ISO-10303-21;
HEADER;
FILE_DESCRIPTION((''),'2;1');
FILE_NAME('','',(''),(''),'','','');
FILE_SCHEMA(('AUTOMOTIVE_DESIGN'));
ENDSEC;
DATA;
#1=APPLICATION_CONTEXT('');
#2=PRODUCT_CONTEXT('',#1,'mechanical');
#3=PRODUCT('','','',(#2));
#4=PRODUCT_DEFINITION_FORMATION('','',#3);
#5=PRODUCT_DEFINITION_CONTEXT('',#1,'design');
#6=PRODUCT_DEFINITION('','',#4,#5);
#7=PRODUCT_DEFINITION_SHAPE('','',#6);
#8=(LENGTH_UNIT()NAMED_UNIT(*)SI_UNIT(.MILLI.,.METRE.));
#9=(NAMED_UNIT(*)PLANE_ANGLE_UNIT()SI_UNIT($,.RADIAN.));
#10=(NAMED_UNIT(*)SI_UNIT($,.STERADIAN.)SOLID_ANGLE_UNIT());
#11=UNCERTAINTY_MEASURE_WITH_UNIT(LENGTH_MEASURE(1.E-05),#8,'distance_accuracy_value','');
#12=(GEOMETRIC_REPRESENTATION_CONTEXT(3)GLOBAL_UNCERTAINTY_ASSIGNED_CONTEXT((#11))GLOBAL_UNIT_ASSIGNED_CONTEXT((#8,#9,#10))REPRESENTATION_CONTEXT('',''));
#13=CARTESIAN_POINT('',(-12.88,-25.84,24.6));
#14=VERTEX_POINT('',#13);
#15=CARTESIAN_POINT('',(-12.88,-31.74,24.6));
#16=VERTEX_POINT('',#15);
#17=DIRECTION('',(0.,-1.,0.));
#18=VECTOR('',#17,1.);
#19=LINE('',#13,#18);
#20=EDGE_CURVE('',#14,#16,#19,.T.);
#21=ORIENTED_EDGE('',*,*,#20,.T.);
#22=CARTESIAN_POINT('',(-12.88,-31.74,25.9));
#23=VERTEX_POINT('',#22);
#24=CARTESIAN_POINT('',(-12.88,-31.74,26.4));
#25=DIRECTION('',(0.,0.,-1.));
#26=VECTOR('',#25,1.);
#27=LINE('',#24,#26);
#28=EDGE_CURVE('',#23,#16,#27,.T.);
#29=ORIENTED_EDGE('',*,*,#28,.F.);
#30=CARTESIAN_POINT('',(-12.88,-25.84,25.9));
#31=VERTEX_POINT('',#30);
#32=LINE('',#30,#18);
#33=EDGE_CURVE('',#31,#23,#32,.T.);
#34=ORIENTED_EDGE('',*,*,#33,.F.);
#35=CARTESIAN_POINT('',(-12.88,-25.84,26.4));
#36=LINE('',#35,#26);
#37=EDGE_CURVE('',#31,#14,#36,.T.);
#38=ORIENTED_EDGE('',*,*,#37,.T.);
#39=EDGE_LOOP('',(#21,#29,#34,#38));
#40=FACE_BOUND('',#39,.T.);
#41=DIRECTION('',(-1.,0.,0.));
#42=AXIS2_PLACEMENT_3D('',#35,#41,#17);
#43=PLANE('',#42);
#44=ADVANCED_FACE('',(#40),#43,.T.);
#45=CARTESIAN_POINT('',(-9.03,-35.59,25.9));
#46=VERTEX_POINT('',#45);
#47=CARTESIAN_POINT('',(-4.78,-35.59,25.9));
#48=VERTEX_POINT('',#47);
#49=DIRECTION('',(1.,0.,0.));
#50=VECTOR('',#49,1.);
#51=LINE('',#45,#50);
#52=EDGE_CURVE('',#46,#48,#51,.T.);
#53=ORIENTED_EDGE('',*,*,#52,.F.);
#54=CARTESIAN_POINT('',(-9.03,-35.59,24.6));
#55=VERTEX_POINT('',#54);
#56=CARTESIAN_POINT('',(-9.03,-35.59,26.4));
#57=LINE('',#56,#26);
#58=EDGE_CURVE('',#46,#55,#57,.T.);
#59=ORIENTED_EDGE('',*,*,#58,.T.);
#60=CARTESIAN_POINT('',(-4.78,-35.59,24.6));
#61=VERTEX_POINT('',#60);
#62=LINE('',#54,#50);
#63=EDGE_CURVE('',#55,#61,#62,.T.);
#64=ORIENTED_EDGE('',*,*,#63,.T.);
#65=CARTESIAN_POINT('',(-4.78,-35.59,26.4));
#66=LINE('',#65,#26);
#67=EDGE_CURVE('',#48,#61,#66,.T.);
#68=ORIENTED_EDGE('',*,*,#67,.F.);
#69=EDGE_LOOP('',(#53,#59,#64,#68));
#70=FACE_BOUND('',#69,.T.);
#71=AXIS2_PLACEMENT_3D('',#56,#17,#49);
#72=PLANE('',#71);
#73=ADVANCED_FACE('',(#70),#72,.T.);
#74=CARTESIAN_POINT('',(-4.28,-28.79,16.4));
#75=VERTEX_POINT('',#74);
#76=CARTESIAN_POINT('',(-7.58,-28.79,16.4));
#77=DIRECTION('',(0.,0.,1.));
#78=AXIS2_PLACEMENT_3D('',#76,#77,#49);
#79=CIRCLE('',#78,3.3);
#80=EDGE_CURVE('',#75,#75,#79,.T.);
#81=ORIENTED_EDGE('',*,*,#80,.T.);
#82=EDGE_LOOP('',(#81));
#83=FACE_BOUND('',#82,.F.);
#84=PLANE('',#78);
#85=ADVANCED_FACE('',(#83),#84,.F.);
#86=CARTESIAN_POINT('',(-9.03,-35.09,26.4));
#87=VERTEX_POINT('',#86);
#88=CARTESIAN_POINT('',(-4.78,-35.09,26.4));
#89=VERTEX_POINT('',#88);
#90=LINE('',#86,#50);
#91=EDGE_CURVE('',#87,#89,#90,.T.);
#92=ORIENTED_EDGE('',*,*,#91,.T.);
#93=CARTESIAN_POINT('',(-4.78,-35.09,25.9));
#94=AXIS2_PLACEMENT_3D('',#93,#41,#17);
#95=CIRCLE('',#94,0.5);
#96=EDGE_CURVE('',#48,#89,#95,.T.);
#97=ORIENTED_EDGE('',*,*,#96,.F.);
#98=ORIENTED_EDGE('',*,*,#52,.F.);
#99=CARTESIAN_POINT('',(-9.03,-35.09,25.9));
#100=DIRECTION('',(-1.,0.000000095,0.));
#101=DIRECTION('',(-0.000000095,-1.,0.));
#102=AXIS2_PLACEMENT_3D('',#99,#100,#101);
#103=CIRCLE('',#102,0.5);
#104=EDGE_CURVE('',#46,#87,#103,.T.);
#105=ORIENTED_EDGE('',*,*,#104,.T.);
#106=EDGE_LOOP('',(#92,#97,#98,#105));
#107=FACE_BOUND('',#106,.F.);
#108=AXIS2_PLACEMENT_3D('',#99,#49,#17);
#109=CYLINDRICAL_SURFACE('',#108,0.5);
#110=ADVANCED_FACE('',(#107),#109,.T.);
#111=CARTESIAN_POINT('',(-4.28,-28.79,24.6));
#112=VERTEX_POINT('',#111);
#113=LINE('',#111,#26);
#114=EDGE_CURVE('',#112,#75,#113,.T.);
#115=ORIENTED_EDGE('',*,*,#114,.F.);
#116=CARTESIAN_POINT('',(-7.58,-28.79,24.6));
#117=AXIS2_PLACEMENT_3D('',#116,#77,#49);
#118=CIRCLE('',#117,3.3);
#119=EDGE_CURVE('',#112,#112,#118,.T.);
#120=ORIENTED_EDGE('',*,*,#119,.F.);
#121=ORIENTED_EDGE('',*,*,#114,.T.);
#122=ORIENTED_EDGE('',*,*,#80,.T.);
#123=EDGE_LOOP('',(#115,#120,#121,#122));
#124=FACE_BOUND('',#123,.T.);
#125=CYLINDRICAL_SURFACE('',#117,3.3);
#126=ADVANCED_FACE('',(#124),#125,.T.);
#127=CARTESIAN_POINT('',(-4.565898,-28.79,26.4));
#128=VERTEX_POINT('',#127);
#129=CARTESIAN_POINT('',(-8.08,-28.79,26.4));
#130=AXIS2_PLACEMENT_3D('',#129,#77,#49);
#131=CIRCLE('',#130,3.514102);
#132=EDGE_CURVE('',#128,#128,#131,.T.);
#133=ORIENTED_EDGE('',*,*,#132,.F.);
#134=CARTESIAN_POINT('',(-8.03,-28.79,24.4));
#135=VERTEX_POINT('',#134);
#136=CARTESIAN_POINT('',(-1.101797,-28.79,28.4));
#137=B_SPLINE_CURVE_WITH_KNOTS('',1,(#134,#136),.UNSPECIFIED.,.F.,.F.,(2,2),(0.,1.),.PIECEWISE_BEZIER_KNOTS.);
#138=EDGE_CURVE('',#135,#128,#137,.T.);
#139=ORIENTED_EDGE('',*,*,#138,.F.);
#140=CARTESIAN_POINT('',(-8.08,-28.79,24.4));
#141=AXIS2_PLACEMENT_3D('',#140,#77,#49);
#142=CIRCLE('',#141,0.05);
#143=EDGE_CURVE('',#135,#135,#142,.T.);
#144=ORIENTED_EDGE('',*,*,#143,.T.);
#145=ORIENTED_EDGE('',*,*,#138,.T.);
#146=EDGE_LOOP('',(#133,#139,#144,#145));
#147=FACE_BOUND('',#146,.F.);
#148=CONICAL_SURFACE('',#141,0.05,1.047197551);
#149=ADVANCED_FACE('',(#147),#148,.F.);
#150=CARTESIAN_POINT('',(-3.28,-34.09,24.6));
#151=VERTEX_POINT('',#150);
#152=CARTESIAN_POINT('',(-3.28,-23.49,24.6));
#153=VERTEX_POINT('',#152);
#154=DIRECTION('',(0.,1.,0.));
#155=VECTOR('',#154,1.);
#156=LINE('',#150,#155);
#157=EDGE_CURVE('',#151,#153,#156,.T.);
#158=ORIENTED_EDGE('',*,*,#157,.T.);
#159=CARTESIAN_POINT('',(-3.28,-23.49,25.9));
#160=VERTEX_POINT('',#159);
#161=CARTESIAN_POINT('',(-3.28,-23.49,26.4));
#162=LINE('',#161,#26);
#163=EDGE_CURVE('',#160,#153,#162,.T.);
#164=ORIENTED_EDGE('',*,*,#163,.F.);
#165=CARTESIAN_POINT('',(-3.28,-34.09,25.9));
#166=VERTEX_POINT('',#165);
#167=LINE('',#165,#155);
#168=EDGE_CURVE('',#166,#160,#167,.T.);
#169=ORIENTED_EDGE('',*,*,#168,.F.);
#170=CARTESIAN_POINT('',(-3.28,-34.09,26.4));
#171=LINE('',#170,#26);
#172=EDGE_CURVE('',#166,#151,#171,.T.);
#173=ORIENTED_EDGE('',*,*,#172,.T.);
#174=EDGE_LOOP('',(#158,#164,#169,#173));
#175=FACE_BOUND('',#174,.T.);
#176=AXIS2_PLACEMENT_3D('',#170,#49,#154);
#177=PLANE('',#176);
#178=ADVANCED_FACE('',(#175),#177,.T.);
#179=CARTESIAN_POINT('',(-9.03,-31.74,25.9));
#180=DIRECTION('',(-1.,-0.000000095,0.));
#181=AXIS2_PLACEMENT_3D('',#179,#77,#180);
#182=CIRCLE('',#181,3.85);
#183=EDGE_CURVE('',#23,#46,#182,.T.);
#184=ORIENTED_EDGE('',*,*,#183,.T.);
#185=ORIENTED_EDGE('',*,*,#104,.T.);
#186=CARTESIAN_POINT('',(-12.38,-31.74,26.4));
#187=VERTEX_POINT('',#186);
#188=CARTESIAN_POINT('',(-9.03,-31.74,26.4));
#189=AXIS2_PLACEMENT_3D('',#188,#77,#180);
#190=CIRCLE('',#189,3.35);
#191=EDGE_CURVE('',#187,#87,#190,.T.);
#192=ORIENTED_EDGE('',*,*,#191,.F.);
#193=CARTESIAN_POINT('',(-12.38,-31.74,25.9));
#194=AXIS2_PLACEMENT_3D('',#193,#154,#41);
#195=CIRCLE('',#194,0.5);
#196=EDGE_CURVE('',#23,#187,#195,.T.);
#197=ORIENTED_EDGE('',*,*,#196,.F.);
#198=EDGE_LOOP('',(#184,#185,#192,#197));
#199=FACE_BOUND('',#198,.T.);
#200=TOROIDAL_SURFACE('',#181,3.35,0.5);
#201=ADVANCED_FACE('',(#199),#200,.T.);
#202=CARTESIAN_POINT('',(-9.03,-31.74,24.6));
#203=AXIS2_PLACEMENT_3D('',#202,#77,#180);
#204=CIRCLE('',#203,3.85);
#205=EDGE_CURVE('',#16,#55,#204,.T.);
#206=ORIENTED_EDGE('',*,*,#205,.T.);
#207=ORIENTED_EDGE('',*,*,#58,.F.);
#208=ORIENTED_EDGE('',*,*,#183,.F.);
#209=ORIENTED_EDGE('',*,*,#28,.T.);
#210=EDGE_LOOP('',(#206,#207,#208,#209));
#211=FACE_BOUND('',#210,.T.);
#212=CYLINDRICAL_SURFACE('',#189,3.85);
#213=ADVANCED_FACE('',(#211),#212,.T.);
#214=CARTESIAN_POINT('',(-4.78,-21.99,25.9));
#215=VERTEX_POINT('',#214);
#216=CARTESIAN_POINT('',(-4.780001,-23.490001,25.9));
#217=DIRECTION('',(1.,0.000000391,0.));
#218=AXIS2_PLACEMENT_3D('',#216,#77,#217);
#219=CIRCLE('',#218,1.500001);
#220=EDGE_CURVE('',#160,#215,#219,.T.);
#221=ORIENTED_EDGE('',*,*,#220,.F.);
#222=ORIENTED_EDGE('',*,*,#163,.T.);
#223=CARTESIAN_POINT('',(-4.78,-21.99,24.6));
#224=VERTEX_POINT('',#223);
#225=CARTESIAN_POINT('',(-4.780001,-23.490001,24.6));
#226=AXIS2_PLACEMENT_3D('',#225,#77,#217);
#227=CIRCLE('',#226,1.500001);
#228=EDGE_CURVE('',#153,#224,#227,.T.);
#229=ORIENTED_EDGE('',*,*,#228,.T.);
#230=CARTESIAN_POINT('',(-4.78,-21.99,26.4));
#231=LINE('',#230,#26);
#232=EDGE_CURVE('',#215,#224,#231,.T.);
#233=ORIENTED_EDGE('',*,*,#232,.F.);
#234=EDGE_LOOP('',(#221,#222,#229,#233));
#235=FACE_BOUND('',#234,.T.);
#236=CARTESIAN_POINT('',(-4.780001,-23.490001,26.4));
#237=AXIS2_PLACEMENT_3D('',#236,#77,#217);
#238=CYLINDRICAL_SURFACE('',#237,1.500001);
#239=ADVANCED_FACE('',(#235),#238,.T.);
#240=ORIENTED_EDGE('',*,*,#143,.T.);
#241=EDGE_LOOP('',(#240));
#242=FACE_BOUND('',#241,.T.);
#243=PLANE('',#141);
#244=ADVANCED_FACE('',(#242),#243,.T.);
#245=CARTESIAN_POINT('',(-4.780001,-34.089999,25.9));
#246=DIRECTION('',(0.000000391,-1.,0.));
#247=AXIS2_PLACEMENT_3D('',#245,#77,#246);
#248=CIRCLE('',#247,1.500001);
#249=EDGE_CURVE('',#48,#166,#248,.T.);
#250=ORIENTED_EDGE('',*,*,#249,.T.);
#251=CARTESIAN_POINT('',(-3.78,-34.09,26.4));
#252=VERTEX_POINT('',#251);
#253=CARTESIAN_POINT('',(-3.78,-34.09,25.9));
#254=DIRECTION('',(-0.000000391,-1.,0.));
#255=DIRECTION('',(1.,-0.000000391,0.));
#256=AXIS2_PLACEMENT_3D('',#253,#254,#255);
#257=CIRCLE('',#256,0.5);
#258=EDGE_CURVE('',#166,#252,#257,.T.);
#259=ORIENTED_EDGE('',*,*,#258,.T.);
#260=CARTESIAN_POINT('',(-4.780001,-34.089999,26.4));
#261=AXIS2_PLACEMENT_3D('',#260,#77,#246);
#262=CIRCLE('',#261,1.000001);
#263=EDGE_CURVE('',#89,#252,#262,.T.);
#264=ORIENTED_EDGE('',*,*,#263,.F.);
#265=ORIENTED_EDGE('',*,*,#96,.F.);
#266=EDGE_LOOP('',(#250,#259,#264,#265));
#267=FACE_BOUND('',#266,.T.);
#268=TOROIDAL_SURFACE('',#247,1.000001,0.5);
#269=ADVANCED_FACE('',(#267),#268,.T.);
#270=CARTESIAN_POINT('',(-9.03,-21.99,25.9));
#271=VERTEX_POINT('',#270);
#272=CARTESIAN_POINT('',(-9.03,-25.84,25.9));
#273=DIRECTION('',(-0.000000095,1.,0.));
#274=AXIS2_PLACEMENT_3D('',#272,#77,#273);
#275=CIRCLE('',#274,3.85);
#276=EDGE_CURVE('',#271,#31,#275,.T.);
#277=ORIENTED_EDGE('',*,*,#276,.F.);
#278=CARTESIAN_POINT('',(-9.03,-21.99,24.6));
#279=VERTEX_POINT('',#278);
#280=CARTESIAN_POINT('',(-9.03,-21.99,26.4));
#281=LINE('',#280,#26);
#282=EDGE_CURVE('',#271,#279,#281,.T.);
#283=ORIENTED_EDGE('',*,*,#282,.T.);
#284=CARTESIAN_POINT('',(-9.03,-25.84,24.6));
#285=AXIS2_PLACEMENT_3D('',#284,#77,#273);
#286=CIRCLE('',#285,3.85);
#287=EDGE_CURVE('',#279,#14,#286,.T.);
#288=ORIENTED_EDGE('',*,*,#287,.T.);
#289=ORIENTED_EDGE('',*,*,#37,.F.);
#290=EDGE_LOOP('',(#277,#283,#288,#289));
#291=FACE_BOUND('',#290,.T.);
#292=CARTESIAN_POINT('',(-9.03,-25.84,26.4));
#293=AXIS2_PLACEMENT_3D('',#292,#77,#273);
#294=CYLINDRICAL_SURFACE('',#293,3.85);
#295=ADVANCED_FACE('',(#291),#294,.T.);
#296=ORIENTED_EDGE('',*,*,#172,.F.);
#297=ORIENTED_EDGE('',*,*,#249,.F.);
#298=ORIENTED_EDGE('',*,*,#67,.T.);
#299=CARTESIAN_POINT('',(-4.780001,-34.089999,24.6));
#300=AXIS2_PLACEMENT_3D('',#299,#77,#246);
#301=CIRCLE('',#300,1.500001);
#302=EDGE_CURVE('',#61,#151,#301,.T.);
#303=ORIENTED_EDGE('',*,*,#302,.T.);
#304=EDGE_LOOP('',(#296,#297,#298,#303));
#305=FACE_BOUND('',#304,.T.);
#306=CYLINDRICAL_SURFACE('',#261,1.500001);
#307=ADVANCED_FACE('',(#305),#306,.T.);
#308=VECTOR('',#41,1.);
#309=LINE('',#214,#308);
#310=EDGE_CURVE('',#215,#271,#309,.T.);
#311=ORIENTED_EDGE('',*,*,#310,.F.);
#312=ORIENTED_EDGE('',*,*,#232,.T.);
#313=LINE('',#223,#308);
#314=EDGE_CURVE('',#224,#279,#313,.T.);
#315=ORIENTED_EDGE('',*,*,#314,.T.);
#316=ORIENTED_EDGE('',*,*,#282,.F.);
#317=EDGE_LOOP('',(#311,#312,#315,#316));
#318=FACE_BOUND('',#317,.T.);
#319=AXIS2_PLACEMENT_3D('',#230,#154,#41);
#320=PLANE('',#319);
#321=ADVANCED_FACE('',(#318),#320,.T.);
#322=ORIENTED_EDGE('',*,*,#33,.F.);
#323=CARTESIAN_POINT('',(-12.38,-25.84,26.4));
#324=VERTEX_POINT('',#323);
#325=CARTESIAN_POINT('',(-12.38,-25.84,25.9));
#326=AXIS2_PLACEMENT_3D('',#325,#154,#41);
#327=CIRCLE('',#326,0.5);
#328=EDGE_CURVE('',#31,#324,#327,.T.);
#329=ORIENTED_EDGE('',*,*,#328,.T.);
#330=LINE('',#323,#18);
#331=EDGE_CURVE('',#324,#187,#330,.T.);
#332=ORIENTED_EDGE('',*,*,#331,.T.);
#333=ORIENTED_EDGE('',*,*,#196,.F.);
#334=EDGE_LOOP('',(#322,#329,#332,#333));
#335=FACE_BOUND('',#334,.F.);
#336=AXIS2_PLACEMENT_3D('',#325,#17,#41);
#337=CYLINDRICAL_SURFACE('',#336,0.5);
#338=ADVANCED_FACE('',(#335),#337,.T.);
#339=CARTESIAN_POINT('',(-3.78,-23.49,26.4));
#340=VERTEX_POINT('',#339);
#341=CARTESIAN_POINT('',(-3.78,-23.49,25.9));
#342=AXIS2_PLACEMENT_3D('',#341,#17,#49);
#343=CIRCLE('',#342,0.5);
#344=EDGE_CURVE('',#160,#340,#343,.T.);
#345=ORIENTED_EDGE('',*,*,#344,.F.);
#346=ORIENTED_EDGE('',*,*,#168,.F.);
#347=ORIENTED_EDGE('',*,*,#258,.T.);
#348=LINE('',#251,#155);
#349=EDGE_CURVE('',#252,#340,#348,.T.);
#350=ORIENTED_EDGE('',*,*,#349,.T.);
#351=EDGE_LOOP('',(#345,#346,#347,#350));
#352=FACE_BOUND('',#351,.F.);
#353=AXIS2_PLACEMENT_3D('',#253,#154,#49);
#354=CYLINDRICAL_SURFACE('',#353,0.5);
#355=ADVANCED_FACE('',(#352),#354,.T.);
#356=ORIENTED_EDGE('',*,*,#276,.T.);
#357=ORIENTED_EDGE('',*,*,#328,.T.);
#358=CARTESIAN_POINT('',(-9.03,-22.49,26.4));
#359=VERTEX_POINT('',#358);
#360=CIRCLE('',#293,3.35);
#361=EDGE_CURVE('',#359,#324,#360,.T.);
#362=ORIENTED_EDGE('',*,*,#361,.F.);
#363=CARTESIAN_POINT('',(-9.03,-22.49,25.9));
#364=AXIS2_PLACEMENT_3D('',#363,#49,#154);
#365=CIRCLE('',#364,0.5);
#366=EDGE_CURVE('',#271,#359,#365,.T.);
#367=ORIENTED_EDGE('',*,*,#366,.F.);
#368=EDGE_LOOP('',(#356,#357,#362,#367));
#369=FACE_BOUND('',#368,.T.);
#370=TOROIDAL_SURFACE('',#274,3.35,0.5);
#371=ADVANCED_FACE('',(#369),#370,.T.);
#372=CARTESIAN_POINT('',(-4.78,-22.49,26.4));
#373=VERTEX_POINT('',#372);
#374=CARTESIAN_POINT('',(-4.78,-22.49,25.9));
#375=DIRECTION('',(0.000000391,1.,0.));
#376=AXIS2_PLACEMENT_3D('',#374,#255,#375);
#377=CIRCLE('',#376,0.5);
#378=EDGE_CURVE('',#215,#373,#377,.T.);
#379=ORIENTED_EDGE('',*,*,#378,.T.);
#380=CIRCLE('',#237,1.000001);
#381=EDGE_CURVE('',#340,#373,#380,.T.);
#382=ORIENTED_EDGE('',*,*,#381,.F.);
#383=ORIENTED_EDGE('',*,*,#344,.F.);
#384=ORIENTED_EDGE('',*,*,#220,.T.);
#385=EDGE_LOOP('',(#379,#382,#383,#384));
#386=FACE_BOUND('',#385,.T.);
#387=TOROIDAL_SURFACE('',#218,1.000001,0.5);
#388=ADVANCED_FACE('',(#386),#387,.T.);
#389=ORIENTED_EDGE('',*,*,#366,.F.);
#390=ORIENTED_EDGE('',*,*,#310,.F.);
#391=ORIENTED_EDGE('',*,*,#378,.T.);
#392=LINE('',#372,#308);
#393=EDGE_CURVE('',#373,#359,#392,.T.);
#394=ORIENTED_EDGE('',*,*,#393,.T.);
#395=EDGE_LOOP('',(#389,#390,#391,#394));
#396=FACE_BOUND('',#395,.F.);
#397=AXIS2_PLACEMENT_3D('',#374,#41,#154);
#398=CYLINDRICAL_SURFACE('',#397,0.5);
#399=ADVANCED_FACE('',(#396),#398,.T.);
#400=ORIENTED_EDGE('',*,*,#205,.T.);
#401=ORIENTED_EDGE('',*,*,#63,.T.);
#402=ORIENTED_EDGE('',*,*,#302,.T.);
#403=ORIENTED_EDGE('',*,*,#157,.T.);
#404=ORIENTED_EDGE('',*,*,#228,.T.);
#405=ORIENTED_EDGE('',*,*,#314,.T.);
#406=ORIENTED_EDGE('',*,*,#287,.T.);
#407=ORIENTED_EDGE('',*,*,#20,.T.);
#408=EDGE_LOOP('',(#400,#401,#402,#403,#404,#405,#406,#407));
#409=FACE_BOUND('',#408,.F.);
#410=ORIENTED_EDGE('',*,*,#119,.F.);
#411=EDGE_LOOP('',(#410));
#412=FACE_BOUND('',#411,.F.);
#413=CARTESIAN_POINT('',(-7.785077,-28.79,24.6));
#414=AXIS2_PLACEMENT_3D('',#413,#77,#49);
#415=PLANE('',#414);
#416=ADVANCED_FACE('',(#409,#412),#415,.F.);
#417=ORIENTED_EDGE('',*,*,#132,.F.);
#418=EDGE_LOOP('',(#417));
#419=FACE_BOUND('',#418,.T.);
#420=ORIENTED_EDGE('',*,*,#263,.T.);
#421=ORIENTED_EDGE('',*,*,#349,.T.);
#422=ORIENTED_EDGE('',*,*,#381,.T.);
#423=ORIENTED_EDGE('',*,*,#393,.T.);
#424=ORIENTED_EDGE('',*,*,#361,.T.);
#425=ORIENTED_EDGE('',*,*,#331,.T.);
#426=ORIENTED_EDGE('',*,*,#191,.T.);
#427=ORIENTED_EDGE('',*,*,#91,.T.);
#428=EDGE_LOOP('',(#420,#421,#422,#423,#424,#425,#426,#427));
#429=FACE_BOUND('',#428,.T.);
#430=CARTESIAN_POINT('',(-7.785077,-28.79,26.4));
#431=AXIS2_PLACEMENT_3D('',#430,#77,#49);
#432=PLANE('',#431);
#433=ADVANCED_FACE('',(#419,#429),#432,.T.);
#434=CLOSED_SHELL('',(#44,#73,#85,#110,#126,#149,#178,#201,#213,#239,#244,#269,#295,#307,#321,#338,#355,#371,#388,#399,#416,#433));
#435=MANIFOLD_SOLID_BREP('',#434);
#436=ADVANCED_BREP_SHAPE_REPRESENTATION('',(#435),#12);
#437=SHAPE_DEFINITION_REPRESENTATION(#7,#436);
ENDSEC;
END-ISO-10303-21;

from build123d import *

# Parameters (mm, degrees)
PAD027_DEPTH    = 1.8
SKETCH062_R     = 3.3
PAD028_DEPTH    = 8.2
FILLET_R        = 0.5
SKETCH101_R     = 0.05
POCKET045_DEPTH = 4
POCKET045_TAPER = -60


with BuildPart() as part:
    # Sketch061 → Pad027 (new body)
    with BuildSketch(Plane.XY):
        with BuildLine():
            Line((-12.88, -25.84), (-12.88, -31.74))
            ThreePointArc((-12.88, -31.74), (-11.752361, -34.462361), (-9.03, -35.59))
            Line((-9.03, -35.59), (-4.78, -35.59))
            ThreePointArc((-4.78, -35.59), (-3.71934, -35.15066), (-3.28, -34.09))
            Line((-3.28, -34.09), (-3.28, -23.49))
            ThreePointArc((-3.28, -23.49), (-3.71934, -22.42934), (-4.78, -21.99))
            Line((-4.78, -21.99), (-9.03, -21.99))
            ThreePointArc((-9.03, -21.99), (-11.752361, -23.117639), (-12.88, -25.84))
        make_face()
    extrude(amount=-PAD027_DEPTH)

    # Sketch062 → Pad028 (join)
    with BuildSketch(Plane.XY.offset(-1.8)):
        with Locations((-7.58, -28.79)):
            Circle(SKETCH062_R)
    extrude(amount=-PAD028_DEPTH)

    # Fillet
    fillet_edges = [part.edges().sort_by_distance(p)[0] for p in [
        (-12.88, -28.79, 0),
        (-11.752361, -34.462361, 0),
        (-6.905, -35.59, 0),
        (-3.71934, -35.15066, 0),
        (-3.28, -28.79, 0),
        (-3.71934, -22.42934, 0),
        (-6.905, -21.99, 0),
        (-11.752361, -23.117639, 0),
    ]]
    fillet(fillet_edges, radius=FILLET_R)

    # Sketch101 → Pocket045 (cut)
    with BuildSketch(Plane.XY.offset(-2)):
        with Locations((-8.08, -28.79)):
            Circle(SKETCH101_R)
    extrude(amount=POCKET045_DEPTH, taper=POCKET045_TAPER, mode=Mode.SUBTRACT)


with BuildPart() as part_1:
    # Body008 placement: moved
    add(part.part.moved(Location((0, 0, 26.4))))


solid = part_1.part
